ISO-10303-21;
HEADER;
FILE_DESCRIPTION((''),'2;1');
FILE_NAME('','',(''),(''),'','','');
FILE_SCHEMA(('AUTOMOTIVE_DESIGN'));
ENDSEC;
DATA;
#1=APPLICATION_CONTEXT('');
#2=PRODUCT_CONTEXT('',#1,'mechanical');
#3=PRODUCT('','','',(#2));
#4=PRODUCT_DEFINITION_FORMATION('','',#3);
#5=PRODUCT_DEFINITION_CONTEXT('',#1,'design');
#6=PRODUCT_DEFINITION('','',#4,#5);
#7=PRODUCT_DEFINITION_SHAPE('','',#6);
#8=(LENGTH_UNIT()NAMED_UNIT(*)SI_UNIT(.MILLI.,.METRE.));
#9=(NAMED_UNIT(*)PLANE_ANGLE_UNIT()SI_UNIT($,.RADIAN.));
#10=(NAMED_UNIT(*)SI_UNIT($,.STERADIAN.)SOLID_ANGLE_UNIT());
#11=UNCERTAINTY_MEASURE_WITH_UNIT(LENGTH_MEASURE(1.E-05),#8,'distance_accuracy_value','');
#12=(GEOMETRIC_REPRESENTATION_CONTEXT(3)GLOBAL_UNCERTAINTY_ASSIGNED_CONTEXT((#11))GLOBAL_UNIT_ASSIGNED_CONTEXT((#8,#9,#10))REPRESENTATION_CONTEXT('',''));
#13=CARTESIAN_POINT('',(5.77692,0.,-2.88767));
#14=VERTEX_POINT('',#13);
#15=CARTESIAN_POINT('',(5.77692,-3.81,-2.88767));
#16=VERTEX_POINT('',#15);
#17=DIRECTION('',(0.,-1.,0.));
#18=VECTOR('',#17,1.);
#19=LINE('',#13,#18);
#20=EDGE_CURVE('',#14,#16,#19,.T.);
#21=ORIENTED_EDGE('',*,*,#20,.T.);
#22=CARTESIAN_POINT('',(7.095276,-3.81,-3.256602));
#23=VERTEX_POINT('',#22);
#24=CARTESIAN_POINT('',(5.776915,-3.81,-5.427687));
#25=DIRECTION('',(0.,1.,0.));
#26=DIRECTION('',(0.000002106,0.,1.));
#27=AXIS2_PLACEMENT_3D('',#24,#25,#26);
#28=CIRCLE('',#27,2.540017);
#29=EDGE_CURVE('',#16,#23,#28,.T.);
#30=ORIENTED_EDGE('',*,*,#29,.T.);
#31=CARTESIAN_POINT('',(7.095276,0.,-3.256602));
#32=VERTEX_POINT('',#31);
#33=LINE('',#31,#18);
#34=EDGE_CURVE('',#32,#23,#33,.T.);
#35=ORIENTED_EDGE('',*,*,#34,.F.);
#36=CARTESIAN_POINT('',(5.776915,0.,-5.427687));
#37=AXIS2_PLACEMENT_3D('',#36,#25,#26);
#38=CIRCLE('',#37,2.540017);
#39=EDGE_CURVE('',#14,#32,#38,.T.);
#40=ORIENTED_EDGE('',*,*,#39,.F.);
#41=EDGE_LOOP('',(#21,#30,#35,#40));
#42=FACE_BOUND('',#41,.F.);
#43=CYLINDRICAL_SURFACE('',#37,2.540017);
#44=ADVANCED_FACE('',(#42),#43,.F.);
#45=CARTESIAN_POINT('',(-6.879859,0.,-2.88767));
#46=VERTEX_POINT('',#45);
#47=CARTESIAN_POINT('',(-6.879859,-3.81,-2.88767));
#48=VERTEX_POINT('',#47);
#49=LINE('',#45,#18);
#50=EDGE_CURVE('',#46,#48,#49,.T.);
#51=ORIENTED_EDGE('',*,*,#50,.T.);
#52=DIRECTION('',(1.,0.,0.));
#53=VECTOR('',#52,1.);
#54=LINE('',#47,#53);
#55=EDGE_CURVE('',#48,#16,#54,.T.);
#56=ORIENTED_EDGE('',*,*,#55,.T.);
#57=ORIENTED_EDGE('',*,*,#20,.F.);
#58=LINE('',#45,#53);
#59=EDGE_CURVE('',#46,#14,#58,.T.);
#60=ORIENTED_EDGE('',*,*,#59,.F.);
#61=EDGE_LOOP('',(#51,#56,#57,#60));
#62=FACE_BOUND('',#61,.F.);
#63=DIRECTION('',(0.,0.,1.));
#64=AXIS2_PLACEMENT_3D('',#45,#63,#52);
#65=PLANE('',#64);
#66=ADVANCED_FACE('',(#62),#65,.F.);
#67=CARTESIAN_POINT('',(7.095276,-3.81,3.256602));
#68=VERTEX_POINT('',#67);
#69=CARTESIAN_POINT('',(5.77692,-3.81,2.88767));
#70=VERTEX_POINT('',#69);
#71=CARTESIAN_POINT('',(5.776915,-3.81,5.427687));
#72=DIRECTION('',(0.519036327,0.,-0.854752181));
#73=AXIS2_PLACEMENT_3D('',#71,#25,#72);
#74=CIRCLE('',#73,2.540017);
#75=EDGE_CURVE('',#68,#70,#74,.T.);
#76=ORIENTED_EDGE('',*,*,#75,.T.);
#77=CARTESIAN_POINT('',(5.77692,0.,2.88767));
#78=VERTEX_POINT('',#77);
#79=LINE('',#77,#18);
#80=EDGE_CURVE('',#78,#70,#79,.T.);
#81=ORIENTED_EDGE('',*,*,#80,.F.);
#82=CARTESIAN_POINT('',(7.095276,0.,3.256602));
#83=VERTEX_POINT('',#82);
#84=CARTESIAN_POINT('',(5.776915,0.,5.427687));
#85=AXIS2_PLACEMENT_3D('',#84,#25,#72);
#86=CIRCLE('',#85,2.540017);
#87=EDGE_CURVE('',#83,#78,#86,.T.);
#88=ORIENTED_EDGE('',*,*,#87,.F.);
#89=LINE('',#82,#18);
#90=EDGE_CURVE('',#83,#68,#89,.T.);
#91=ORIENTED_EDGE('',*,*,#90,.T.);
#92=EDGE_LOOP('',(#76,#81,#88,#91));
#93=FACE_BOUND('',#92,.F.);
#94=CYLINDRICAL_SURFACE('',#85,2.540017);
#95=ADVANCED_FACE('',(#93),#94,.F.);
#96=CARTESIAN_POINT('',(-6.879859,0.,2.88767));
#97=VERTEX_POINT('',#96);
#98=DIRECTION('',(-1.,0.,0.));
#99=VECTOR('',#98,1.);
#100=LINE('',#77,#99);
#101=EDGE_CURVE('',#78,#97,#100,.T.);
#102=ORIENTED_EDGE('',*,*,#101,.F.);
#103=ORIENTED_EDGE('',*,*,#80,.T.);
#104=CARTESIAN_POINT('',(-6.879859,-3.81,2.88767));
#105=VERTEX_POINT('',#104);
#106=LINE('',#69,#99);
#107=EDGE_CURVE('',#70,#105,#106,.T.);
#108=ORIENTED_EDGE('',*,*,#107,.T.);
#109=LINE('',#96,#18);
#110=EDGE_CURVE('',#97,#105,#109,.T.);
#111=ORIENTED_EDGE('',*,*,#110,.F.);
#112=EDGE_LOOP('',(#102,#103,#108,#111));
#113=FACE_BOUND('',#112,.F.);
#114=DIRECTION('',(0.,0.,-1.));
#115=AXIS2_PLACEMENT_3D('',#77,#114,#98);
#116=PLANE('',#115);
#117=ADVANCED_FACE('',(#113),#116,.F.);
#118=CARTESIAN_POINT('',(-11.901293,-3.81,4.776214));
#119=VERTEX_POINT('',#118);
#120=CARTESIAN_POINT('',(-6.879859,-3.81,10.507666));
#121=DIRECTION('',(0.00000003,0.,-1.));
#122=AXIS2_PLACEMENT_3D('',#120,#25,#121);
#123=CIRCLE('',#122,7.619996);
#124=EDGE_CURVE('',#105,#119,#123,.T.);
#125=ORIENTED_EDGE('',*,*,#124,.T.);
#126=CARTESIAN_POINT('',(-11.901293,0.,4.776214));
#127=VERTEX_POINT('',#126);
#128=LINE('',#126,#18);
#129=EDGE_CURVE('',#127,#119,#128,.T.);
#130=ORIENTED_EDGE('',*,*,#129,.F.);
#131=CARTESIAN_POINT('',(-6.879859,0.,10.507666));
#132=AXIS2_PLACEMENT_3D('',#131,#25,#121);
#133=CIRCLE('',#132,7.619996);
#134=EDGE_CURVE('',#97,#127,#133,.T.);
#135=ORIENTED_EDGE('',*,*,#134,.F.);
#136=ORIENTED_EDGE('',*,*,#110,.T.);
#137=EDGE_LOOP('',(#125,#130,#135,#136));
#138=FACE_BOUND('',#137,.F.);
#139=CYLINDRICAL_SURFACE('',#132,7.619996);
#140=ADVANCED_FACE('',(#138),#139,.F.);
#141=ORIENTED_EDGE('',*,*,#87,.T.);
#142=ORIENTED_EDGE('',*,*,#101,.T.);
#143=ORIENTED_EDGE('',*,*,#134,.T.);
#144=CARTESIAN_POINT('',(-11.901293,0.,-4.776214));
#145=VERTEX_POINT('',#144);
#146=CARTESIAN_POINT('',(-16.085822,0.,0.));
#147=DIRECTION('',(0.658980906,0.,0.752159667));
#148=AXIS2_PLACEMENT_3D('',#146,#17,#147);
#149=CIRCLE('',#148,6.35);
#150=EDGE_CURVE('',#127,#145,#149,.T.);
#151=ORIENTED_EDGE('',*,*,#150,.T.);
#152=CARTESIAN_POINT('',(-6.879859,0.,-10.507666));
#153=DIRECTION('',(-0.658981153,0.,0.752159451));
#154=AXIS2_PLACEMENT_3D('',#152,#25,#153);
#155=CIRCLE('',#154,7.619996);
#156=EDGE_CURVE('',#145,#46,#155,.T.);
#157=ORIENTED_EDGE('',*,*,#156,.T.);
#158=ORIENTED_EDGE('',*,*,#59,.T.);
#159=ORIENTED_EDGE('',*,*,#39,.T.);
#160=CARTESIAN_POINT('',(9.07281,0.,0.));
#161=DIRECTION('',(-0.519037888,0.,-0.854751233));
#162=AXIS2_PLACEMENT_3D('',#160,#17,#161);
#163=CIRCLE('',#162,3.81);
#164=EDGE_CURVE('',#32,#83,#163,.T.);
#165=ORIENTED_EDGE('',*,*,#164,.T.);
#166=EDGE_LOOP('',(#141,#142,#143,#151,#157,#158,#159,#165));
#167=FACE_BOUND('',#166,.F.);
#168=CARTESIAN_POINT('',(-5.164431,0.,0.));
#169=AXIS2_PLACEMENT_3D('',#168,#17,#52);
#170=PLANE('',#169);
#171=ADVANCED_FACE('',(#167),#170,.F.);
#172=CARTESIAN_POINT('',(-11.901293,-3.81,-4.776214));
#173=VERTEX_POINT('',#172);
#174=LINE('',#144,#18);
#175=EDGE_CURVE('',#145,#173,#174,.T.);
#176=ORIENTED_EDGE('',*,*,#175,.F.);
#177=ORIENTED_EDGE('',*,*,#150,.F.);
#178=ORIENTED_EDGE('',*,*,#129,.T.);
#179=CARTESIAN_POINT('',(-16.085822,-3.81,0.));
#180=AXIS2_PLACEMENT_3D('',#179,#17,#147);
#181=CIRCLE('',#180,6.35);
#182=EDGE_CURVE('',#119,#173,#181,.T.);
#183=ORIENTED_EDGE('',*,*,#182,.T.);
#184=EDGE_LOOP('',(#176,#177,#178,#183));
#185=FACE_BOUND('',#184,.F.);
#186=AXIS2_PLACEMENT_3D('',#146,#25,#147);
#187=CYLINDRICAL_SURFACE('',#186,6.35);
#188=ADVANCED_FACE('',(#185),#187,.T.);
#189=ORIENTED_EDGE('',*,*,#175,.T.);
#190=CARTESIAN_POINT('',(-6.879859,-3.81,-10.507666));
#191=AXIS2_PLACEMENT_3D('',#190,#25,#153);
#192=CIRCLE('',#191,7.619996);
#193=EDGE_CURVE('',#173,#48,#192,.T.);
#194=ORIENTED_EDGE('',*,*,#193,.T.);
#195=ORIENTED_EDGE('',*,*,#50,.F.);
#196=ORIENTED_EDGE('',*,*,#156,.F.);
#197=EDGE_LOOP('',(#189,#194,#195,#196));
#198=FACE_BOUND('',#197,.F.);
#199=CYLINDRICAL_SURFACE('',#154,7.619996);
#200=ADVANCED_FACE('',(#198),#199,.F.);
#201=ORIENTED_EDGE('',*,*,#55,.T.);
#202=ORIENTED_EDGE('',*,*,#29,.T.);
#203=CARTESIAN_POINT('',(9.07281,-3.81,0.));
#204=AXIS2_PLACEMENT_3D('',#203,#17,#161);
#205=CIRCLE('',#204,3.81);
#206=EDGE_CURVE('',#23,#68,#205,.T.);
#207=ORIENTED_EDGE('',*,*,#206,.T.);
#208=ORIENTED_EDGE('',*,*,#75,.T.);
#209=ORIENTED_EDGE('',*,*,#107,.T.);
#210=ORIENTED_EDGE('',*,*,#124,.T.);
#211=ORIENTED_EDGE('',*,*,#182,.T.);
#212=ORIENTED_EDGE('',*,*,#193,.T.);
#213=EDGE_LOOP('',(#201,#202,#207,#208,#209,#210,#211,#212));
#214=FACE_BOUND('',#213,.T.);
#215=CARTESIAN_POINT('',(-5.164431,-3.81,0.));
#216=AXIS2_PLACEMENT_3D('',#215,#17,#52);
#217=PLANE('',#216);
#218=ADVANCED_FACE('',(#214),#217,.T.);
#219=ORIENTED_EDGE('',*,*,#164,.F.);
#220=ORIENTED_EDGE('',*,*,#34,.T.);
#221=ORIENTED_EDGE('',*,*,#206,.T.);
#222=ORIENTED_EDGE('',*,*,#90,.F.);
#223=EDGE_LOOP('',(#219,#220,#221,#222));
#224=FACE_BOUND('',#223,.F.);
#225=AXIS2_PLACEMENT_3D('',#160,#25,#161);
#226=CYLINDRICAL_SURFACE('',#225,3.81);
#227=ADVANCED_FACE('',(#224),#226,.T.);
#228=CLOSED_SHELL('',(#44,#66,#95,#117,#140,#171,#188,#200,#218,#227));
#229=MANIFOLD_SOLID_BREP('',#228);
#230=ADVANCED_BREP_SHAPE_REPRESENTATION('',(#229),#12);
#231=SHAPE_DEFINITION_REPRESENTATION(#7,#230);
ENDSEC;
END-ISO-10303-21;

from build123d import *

# Parameters (mm, degrees)
F0_R     = 5.08
F0_R_2   = 2.54
F1_DEPTH = 3.81


with BuildPart() as f1:
    # F0 (on Front) → F1 (new body)
    with BuildSketch(Plane.XZ):
        with BuildLine():
            ThreePointArc((-6.879859, 2.88767), (-9.562274, 3.375416), (-11.901293, 4.776214))
            ThreePointArc((-11.901293, 4.776214), (-22.435822, 0), (-11.901293, -4.776214))
            ThreePointArc((-11.901293, -4.776214), (-9.562274, -3.375416), (-6.879859, -2.88767))
            Line((-6.879859, -2.88767), (5.77692, -2.88767))
            ThreePointArc((5.77692, -2.88767), (6.461422, -2.981642), (7.095276, -3.256602))
            ThreePointArc((7.095276, -3.256602), (12.88281, 0), (7.095276, 3.256602))
            ThreePointArc((7.095276, 3.256602), (6.461422, 2.981642), (5.77692, 2.88767))
            Line((5.77692, 2.88767), (-6.879859, 2.88767))
        make_face()
        with Locations((-16.085822, 0)):
            Circle(F0_R, mode=Mode.SUBTRACT)
        with Locations((9.07281, 0)):
            Circle(F0_R_2, mode=Mode.SUBTRACT)
        with Locations((-16.085822, 0)):
            Circle(F0_R)
        with Locations((9.07281, 0)):
            Circle(F0_R_2)
    extrude(amount=F1_DEPTH)


solid = f1.part
